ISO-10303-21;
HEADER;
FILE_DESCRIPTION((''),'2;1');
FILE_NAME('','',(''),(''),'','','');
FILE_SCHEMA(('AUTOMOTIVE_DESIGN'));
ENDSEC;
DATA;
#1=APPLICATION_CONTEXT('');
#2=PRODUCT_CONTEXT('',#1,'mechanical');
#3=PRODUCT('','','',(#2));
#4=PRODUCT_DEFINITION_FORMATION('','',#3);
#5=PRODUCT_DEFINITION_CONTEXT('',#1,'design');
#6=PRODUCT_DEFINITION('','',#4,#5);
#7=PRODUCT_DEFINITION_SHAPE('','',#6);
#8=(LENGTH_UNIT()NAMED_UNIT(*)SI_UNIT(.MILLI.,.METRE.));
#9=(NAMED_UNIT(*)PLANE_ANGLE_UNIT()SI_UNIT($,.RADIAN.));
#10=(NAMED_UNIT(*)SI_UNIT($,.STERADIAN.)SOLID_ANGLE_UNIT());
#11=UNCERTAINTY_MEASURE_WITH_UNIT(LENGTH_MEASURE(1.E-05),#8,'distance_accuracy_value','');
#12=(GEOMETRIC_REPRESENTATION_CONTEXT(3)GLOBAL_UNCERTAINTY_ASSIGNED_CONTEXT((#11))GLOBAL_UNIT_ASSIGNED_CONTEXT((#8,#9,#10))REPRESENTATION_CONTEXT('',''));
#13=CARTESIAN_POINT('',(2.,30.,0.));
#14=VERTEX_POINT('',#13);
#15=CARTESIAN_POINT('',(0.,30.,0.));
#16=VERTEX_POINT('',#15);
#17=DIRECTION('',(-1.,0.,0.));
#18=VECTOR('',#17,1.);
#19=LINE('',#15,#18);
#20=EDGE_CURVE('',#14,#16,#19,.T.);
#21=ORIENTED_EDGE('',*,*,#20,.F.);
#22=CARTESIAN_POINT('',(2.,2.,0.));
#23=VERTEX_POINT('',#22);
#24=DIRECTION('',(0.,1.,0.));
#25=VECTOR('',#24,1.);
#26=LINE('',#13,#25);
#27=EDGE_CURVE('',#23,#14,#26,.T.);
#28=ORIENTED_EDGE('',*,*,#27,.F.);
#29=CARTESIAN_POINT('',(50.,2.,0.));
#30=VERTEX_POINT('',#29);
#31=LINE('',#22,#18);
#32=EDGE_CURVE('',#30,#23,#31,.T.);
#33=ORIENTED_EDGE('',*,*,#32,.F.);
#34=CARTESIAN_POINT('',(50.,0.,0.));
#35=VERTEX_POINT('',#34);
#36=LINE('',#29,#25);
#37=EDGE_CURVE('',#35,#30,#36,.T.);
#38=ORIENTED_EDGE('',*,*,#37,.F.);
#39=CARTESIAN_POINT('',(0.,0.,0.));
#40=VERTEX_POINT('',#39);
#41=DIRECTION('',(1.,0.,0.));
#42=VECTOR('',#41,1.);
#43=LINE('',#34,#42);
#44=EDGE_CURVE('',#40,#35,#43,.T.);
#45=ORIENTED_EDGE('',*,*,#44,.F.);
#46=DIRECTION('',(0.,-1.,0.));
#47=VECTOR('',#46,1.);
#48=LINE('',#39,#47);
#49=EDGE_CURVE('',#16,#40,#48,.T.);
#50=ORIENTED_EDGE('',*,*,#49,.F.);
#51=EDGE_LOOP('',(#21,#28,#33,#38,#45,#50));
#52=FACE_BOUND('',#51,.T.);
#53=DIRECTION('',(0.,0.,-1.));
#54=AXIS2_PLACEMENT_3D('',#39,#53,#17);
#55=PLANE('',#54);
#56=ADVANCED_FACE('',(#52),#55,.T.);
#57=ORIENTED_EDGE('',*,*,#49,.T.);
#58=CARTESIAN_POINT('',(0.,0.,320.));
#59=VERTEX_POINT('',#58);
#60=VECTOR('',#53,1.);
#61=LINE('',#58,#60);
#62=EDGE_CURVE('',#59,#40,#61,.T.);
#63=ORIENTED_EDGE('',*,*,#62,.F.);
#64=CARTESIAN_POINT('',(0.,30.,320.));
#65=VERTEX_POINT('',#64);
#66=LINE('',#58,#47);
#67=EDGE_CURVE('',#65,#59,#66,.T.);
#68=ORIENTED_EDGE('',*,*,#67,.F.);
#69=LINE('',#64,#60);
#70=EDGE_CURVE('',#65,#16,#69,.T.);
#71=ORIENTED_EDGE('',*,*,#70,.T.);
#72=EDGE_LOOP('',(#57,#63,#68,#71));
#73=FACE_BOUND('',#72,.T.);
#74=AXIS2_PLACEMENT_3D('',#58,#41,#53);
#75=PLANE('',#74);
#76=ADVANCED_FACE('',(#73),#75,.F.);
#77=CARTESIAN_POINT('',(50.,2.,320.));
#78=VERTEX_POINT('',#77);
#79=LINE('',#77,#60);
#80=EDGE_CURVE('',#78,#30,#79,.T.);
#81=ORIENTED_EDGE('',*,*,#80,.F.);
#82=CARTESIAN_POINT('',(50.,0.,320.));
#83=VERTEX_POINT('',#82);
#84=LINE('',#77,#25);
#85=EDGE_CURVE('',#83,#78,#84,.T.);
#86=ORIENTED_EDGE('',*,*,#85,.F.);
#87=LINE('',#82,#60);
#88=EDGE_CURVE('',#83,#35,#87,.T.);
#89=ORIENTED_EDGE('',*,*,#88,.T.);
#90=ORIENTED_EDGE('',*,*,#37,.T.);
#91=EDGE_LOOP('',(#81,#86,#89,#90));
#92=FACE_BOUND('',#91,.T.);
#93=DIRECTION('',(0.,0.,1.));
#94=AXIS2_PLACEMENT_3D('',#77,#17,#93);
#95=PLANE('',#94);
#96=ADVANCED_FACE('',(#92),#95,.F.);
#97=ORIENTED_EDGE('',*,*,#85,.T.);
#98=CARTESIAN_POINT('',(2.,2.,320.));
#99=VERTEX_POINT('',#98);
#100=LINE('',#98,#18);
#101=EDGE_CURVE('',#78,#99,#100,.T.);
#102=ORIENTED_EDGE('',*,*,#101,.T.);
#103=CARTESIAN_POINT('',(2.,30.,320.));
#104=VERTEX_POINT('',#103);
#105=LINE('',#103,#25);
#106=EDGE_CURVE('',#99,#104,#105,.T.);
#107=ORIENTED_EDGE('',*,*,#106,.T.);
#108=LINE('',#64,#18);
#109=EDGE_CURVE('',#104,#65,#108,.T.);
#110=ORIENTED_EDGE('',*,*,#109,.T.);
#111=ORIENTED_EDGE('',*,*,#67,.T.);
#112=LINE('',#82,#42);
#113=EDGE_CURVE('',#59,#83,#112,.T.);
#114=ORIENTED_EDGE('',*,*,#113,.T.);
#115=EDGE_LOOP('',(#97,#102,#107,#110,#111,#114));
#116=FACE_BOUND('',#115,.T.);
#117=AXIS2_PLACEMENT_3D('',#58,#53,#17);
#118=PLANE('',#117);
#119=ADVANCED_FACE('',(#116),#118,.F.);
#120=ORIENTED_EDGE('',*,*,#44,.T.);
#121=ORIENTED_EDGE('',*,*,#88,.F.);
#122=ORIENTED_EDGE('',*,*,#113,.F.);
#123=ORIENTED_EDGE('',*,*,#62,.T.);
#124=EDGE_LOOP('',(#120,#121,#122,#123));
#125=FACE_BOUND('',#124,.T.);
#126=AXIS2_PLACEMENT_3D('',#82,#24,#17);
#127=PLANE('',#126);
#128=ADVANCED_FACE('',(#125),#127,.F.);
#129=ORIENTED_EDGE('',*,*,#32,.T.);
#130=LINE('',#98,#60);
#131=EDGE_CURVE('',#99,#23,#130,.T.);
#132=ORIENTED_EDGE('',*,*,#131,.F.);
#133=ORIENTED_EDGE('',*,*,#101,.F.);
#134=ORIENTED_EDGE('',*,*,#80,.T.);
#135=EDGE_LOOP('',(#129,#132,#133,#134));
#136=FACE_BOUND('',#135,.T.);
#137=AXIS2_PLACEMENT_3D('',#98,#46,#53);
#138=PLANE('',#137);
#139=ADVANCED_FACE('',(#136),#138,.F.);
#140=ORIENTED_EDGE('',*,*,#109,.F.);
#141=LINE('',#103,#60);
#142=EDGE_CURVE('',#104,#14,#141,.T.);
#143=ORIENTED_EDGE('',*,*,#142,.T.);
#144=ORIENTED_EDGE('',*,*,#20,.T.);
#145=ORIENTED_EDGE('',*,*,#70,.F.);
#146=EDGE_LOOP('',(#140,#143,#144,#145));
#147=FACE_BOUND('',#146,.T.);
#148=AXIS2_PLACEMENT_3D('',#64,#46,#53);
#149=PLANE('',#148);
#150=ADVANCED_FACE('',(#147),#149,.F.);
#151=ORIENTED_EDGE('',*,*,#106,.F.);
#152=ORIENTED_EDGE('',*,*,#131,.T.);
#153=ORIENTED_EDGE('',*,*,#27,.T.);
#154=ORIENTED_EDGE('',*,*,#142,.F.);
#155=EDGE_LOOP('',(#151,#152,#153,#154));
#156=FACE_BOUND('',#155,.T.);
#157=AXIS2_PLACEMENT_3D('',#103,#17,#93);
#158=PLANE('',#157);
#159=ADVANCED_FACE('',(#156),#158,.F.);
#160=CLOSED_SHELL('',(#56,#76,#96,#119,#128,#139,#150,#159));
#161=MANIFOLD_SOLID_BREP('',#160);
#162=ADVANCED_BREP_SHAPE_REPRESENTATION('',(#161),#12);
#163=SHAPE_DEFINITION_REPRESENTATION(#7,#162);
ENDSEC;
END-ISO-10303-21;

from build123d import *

# Parameters (mm, degrees)
BOSS_EXTRUDE1_DEPTH = 320


with BuildPart() as part:
    # Sketch1 → Boss-Extrude1 (new body)
    with BuildSketch(Plane.XY):
        Polygon((0, 0), (0, 30), (2, 30), (2, 2), (50, 2), (50, 0), align=None)
    extrude(amount=BOSS_EXTRUDE1_DEPTH)


solid = part.part
